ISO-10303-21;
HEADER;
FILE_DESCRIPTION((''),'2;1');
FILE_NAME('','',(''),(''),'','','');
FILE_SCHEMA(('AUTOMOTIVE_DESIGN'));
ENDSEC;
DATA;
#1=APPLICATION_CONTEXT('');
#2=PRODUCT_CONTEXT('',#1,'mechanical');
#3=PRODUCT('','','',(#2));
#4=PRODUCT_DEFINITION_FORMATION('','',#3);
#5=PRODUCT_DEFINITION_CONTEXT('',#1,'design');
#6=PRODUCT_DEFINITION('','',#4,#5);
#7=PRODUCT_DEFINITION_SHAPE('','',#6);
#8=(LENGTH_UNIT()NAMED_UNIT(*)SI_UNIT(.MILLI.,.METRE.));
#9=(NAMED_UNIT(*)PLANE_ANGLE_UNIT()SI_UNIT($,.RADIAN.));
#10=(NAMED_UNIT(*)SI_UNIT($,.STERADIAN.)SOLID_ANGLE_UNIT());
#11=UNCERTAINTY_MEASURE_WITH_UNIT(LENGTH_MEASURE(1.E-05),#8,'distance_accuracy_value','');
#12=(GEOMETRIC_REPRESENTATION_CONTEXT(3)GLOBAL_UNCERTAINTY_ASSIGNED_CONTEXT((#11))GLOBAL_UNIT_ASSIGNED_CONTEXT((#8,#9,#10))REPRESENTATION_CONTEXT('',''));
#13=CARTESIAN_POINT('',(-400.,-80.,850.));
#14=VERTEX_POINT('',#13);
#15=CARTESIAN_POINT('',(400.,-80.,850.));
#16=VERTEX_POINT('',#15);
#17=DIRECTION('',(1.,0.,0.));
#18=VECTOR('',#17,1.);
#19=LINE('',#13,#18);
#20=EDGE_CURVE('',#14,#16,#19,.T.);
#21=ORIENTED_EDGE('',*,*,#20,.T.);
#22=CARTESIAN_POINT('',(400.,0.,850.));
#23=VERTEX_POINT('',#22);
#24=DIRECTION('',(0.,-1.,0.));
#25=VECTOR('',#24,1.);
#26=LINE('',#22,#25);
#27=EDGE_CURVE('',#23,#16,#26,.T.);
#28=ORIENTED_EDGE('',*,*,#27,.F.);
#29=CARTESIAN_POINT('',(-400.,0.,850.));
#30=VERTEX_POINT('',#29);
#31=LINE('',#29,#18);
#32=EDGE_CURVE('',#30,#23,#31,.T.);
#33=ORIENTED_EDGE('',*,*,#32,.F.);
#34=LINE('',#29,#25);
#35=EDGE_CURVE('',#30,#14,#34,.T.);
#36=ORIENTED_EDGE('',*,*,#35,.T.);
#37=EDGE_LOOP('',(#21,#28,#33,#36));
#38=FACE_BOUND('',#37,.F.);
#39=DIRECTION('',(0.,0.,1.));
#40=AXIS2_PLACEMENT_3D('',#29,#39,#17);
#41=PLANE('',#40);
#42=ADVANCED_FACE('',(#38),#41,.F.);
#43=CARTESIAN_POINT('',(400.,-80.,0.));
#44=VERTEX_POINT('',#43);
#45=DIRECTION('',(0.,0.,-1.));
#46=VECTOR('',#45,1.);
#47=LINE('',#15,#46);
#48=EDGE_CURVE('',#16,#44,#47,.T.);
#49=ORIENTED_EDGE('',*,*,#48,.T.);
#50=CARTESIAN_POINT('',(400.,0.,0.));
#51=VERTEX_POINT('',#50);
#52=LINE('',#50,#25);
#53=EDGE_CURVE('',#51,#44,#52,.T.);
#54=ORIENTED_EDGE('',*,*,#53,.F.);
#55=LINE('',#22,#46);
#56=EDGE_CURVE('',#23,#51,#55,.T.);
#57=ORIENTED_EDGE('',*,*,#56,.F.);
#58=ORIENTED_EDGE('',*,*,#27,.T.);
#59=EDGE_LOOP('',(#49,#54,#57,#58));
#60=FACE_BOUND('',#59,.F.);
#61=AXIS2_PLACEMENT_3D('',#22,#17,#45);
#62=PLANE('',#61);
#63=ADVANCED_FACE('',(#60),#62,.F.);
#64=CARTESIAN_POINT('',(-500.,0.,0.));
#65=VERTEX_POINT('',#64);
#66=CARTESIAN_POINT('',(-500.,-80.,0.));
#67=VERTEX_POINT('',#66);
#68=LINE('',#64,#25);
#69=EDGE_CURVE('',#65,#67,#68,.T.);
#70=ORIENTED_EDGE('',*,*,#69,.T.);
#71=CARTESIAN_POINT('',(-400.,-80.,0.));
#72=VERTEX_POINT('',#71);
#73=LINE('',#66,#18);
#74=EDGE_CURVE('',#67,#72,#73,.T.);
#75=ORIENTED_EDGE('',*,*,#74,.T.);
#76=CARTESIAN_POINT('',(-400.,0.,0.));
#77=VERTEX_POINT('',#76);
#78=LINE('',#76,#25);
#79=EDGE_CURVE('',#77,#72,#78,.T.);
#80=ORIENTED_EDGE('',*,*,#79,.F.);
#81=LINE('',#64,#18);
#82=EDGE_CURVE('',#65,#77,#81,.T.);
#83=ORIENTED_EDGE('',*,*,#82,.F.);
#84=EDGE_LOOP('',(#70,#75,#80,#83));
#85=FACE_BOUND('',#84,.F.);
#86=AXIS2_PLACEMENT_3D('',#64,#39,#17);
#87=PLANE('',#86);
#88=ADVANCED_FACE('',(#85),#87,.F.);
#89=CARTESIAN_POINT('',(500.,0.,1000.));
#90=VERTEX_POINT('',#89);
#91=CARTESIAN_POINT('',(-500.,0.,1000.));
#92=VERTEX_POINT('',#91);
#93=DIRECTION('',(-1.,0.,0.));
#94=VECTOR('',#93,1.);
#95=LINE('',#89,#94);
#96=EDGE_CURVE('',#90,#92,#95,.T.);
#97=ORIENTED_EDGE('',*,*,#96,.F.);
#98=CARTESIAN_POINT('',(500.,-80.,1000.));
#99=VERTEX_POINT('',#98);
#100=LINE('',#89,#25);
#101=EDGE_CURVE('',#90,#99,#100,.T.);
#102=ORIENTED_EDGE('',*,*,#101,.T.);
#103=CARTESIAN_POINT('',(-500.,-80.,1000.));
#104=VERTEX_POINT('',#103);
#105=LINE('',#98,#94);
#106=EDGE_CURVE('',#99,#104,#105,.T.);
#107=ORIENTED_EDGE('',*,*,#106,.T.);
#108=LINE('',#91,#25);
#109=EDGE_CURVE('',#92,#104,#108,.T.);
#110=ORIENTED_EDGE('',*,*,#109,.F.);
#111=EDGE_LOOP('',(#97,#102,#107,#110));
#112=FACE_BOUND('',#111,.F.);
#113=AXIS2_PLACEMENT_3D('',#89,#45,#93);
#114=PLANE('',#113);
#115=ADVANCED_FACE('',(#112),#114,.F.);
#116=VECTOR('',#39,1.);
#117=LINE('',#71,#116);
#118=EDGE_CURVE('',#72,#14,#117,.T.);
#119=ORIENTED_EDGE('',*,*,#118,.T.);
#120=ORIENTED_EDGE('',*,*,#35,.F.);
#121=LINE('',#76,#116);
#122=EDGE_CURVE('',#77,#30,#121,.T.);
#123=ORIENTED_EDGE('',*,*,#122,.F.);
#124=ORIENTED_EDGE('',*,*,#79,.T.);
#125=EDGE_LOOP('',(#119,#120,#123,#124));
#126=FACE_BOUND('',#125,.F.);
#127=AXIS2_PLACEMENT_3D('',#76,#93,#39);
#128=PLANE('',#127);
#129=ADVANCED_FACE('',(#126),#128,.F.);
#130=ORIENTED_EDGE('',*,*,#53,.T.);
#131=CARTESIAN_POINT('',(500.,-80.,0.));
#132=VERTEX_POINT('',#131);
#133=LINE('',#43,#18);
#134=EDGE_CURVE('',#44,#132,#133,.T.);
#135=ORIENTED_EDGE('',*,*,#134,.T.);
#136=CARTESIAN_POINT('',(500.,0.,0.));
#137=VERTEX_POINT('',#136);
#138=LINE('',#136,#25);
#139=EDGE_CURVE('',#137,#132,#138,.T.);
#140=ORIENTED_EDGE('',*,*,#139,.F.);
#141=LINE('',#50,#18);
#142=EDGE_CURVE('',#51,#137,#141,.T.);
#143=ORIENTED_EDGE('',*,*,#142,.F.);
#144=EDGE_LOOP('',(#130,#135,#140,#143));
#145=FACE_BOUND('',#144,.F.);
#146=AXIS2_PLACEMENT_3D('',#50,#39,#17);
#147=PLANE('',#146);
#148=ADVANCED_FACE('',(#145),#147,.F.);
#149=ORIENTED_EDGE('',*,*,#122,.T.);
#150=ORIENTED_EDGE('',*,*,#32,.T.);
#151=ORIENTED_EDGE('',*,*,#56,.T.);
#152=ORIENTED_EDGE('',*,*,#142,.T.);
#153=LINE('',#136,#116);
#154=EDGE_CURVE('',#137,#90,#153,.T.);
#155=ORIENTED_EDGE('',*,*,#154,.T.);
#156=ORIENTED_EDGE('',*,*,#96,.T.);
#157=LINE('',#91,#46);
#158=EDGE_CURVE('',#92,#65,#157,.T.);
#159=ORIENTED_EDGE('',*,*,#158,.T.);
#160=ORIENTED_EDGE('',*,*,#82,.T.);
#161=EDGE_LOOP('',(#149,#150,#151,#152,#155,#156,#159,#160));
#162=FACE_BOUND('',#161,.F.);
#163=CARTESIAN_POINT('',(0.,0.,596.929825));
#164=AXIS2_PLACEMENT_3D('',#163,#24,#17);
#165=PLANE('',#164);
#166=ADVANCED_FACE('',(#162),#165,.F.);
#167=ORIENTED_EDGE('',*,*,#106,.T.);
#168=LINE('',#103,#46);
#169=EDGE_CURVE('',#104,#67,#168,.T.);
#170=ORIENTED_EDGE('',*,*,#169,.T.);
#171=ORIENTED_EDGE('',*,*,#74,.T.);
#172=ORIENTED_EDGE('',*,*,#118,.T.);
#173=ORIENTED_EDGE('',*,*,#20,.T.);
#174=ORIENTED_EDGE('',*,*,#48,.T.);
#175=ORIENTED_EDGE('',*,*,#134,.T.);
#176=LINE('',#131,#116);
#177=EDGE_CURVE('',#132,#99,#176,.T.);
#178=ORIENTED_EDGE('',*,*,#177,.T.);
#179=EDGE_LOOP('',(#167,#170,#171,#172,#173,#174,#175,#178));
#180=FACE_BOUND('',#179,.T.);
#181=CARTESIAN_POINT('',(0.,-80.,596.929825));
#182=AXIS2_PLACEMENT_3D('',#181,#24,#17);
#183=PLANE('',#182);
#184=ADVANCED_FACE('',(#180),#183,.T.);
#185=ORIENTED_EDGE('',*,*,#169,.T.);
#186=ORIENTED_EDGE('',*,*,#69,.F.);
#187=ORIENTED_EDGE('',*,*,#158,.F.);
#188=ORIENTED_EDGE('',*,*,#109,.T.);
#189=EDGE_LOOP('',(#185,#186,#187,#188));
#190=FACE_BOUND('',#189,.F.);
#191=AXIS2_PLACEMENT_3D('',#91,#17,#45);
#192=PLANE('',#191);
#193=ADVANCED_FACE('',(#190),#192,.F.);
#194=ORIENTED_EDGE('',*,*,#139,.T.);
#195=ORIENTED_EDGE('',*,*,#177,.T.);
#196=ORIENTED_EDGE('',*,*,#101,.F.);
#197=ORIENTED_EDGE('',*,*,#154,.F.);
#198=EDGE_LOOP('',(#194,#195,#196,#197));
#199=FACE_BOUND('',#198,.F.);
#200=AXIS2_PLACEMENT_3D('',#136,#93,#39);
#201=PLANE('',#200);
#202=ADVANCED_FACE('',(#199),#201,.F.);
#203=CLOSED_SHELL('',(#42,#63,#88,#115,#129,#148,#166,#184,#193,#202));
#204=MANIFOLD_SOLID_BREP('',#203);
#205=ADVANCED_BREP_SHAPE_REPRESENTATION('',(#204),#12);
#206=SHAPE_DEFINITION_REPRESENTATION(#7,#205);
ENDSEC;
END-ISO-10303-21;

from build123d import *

# Parameters (mm, degrees)
F2_DEPTH = 80


with BuildPart() as f2:
    # F1 (on face) → F2 (new body)
    with BuildSketch(Plane.XZ):
        Polygon((-400, 0), (-400, 850), (400, 850), (400, 0), (500, 0), (500, 1000), (-500, 1000), (-500, 0), align=None)
    extrude(amount=F2_DEPTH)


solid = f2.part
